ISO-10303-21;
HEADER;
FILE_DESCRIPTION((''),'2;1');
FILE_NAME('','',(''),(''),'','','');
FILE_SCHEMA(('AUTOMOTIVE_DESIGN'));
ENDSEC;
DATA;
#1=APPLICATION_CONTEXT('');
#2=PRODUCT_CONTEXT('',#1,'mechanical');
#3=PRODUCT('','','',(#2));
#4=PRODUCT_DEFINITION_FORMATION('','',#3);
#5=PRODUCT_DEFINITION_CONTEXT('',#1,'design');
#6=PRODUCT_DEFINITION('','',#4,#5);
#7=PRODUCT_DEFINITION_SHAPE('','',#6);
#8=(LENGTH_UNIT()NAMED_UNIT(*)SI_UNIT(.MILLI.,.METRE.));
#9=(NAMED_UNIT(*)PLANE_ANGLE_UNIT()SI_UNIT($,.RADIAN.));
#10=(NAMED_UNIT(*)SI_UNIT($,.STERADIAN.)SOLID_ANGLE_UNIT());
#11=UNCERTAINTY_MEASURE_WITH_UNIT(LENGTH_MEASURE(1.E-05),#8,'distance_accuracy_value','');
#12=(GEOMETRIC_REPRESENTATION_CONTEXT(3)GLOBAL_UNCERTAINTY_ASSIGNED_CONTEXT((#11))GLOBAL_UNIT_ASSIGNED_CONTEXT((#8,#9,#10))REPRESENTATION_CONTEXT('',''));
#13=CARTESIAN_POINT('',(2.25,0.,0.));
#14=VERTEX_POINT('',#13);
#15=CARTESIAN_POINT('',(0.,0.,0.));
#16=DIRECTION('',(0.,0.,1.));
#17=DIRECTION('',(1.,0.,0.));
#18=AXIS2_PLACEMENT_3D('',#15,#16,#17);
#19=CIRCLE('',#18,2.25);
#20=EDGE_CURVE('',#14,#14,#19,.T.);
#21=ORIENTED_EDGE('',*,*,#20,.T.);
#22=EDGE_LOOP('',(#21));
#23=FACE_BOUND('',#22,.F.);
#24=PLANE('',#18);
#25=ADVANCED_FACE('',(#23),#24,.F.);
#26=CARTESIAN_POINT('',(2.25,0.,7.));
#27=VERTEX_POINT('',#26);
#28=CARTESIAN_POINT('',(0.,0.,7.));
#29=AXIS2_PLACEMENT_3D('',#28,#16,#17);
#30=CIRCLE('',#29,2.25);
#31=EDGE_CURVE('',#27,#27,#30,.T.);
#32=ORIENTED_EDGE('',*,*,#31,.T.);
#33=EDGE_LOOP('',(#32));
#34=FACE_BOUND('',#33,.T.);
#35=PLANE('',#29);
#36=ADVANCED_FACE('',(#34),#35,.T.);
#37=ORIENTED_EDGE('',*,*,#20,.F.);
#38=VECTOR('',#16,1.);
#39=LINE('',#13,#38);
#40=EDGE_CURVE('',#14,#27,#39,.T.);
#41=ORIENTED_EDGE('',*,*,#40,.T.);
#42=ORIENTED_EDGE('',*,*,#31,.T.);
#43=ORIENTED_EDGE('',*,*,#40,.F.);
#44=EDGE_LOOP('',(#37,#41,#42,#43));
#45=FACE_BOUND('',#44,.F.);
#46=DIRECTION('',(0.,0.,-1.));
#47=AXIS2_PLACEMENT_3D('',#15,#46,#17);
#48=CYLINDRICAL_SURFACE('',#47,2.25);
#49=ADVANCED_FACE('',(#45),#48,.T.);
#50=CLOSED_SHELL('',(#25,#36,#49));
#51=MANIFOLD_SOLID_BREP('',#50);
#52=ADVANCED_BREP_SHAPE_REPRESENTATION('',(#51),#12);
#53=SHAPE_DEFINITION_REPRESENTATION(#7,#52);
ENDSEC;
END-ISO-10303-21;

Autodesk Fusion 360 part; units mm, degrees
sketch "Sketch1" plane through (0, 0, 0) normal (0, 0, 1) x (1, 0, 0)
  circle A0 centre (0, 0) radius 2.25
  dimension "d1" = 4.5
extrude "Extrude1" add sketch "Sketch1" along normal blind 7
